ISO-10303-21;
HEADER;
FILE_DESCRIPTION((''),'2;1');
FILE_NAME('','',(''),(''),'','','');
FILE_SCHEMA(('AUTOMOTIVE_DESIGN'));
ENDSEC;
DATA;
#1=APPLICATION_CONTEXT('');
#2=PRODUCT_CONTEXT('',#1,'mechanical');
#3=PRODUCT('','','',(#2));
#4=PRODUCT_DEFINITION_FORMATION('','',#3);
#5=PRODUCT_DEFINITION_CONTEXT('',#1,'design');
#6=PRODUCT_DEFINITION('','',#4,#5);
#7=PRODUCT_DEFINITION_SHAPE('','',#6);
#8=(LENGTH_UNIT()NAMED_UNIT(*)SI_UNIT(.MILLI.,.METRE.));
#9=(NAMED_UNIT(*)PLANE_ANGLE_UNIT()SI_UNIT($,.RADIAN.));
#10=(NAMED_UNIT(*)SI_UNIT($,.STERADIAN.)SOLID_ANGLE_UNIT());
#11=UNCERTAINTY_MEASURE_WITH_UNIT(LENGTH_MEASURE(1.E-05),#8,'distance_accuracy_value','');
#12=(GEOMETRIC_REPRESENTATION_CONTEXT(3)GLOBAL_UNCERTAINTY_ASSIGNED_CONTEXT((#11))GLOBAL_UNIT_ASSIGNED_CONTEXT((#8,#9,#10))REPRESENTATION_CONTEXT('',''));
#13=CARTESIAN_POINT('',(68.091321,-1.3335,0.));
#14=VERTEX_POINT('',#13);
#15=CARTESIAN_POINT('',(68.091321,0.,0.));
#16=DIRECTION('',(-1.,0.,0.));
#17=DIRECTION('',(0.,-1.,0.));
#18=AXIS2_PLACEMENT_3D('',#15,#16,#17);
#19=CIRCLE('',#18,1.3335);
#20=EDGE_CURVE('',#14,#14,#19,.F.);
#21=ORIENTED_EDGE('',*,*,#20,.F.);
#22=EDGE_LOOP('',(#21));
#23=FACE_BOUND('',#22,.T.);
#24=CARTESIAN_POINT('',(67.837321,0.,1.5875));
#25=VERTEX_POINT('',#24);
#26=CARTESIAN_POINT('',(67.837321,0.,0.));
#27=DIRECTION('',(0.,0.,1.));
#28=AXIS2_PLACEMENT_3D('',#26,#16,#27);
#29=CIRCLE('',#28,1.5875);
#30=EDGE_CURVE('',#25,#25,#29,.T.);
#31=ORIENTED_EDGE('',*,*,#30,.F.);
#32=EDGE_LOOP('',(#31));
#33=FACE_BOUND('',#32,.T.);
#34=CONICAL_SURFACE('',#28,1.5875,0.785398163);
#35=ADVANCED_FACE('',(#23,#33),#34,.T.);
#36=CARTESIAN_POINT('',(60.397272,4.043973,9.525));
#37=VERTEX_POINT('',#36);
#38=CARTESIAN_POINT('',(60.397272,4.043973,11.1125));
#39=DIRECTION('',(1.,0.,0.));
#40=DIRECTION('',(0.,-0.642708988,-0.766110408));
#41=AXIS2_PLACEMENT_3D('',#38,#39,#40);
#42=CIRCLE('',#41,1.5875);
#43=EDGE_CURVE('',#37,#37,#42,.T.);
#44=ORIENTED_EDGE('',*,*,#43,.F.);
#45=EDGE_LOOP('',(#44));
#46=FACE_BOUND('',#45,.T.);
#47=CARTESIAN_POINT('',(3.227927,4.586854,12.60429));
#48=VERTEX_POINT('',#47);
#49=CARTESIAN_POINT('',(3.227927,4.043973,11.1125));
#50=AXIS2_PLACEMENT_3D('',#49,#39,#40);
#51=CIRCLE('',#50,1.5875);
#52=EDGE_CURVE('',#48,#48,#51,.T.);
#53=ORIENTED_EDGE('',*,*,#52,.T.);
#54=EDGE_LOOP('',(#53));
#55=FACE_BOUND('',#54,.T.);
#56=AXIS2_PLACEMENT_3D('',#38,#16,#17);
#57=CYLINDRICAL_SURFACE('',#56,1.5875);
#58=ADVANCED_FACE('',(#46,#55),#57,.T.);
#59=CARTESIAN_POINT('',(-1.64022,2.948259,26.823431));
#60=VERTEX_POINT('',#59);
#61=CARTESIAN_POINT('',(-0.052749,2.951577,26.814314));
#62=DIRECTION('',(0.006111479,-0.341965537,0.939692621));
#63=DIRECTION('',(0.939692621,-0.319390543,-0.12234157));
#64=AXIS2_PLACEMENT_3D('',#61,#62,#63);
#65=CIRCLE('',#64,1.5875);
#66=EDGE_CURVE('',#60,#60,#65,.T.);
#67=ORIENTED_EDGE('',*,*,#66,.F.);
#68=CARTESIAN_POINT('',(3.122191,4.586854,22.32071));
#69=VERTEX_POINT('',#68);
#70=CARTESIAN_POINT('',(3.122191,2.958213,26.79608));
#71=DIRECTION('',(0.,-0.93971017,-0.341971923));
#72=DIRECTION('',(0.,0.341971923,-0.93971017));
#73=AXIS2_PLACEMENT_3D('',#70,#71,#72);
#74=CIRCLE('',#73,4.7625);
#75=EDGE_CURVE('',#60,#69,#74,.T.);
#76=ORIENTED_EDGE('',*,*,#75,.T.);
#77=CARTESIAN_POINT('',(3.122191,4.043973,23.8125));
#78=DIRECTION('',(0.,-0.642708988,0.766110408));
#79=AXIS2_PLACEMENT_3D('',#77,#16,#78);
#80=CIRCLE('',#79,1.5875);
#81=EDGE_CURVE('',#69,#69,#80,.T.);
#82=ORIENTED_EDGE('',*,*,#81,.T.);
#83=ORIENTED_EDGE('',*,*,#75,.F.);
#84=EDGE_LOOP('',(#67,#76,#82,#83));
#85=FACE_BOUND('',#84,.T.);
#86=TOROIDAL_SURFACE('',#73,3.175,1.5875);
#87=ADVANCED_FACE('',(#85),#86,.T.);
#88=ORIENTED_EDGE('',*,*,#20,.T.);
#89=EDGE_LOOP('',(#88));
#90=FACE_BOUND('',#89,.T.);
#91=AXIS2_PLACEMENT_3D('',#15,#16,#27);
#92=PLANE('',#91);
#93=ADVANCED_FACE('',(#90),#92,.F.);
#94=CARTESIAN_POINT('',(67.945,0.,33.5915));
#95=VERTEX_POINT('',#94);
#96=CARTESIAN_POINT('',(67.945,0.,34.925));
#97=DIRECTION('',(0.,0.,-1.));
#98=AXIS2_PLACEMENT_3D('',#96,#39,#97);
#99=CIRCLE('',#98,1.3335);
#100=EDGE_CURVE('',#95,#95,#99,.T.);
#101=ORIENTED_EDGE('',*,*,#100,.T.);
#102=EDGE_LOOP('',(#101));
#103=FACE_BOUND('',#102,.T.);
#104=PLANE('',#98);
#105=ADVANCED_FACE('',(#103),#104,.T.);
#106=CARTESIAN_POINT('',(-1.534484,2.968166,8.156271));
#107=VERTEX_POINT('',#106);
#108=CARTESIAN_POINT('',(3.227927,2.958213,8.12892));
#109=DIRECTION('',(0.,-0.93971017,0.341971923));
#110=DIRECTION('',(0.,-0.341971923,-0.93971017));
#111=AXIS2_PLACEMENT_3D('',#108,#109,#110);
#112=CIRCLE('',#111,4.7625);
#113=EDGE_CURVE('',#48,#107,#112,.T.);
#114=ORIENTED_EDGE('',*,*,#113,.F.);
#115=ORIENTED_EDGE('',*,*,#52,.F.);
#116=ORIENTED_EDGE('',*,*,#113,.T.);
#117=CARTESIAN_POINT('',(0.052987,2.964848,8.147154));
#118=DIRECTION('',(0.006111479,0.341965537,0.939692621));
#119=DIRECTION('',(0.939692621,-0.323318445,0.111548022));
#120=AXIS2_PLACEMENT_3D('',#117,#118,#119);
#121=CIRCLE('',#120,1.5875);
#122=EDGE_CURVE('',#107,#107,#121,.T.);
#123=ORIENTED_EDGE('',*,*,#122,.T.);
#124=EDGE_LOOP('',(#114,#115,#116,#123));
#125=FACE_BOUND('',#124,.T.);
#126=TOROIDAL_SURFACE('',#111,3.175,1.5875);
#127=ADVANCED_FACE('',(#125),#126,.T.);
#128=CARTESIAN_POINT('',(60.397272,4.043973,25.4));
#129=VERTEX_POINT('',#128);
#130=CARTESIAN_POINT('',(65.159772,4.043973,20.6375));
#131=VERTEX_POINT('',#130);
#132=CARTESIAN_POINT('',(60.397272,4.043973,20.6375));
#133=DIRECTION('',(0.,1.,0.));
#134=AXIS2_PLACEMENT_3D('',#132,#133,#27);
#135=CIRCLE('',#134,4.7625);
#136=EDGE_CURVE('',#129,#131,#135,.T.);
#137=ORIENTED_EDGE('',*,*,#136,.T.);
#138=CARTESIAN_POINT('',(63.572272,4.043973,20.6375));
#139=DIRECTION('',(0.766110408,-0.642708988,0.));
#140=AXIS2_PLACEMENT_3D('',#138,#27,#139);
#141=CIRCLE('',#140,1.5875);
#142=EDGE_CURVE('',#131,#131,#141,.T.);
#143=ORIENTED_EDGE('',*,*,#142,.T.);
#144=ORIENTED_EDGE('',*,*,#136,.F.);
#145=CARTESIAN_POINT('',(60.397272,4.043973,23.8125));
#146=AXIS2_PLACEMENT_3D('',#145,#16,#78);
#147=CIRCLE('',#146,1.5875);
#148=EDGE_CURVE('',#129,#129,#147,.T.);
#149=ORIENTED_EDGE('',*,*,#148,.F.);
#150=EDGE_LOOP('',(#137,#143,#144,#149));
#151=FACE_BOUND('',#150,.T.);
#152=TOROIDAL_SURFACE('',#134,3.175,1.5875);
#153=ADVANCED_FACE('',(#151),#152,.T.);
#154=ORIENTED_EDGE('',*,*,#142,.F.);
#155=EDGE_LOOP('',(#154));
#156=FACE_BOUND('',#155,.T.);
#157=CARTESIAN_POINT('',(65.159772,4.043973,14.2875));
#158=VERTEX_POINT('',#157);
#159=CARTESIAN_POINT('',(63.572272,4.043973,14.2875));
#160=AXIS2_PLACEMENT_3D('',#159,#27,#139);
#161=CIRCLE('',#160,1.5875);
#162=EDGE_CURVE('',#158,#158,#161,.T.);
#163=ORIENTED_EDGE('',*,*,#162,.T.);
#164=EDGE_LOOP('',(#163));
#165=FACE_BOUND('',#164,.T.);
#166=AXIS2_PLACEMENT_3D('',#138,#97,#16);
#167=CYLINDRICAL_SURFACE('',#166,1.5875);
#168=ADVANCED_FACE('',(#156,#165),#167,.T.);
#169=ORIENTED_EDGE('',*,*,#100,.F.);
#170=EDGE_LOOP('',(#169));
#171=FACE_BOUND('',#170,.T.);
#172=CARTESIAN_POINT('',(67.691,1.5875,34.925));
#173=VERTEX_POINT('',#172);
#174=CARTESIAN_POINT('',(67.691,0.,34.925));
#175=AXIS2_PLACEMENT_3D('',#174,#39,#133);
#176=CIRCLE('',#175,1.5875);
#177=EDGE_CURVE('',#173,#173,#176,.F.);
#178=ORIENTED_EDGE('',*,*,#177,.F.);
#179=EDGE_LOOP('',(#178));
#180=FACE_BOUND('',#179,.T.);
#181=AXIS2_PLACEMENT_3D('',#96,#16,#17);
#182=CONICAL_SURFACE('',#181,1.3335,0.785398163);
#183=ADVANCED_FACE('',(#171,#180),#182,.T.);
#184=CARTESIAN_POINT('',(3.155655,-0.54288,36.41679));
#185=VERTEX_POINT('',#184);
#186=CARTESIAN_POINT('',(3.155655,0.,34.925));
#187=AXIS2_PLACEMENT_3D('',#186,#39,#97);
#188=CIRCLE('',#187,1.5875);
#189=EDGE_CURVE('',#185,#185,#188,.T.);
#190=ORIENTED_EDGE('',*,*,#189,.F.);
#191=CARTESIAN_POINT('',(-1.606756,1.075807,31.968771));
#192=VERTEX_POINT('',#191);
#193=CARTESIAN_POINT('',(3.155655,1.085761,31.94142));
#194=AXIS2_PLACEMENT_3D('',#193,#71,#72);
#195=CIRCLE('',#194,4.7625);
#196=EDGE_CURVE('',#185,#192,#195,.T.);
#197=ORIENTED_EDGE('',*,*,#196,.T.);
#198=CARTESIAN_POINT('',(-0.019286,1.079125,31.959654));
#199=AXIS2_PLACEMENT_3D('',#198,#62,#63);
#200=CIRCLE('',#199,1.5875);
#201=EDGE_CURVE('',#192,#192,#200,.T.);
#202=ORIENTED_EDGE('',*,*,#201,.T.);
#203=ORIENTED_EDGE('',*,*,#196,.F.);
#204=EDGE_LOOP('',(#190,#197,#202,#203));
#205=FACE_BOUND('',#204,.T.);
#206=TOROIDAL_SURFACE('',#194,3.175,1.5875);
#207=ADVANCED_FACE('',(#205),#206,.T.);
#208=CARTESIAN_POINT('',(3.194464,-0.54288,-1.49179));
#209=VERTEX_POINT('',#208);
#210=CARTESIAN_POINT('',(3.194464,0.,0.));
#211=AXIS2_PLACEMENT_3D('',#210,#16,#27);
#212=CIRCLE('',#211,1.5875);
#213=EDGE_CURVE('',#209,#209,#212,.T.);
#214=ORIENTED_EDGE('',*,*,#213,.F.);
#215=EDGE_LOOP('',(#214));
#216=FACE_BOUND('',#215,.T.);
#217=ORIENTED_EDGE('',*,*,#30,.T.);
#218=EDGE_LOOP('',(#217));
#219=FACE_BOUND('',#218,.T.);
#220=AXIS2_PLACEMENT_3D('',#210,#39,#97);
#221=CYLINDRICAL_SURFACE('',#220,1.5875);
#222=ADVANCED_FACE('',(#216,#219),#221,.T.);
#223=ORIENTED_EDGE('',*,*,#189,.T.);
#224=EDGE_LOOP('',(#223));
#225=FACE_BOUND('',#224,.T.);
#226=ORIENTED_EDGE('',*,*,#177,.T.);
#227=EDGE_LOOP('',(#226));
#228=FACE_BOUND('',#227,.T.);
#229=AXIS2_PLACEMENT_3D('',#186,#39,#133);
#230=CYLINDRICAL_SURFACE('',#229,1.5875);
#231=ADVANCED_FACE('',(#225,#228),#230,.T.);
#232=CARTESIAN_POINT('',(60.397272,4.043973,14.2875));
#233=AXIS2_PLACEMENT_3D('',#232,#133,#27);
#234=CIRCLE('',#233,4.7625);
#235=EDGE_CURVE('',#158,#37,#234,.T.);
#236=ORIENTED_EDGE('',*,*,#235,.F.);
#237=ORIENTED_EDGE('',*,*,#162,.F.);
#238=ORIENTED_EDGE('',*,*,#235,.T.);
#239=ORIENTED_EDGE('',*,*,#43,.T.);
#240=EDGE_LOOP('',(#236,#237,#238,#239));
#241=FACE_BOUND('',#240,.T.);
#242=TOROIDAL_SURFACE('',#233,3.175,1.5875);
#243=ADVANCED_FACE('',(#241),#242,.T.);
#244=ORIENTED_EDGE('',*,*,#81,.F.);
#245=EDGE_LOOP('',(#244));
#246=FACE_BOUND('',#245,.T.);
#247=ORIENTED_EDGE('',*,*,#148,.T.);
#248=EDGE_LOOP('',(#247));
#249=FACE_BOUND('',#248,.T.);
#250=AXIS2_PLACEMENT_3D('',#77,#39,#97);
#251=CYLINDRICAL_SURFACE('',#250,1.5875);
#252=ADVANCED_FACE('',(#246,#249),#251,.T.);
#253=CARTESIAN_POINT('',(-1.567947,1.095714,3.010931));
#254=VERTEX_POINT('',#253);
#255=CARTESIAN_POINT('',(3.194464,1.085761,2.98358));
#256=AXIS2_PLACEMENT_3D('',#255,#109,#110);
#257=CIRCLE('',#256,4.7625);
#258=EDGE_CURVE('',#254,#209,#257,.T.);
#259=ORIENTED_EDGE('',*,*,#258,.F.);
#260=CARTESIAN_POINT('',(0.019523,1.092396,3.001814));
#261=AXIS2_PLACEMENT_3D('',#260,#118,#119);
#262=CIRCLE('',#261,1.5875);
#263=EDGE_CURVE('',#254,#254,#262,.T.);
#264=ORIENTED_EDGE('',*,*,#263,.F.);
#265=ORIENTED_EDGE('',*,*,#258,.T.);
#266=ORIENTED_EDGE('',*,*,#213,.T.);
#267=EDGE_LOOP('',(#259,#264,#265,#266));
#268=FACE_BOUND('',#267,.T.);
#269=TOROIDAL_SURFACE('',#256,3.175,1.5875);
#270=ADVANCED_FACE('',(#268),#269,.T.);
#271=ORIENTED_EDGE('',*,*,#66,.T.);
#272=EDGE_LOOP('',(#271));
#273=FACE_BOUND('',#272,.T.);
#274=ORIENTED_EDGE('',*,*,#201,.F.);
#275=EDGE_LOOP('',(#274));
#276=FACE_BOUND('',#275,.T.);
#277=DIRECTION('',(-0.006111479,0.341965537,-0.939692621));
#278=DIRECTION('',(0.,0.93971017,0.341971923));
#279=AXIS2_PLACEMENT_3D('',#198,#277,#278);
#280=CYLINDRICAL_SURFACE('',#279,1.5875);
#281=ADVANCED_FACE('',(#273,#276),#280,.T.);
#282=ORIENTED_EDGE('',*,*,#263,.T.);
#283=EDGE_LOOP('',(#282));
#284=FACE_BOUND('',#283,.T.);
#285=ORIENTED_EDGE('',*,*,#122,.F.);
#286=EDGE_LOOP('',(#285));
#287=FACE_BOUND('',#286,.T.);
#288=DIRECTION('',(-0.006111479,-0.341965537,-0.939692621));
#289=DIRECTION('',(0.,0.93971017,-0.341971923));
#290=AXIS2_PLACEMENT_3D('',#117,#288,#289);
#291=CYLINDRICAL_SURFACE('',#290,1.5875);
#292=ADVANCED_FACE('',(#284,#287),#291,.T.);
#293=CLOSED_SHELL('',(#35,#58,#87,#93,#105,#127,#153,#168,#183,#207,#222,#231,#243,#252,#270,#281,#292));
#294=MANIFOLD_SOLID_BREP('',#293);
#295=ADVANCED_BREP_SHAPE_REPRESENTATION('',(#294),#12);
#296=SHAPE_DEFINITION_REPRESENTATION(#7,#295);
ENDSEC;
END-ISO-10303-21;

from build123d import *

# Parameters (mm, degrees)
SKETCH1_R     = 1.5875
CHAMFER1_SIZE = 0.254


with BuildPart() as part:
    # Sweep1: sweep along a curve in space
    with BuildLine() as sweep1_path:
        Line((3.194463605, 0, 0), (68.09132068, 0, 0))
        ThreePointArc((3.194463605, 0, 0), (0.942549693, 0.320361628, 0.880326891), (0.019522899, 1.092396461, 3.001813877))
        Line((0.019522899, 1.092396461, 3.001813877), (0.052986653, 2.964848217, 8.147154297))
        ThreePointArc((0.052986653, 2.964848217, 8.147154297), (0.989734174, 3.728303943, 10.245066615), (3.227927359, 4.043973468, 11.1125))
        Line((3.227927359, 4.043973468, 11.1125), (60.397272373, 4.043973468, 11.1125))
        ThreePointArc((60.397272373, 4.043973468, 11.1125), (62.642336404, 4.043973468, 12.04243597), (63.572272373, 4.043973468, 14.2875))
        Line((63.572272373, 4.043973468, 14.2875), (63.572272373, 4.043973468, 20.6375))
        ThreePointArc((63.572272373, 4.043973468, 20.6375), (62.642336404, 4.043973468, 22.88256403), (60.397272373, 4.043973468, 23.8125))
        Line((60.397272373, 4.043973468, 23.8125), (3.122191232, 4.043973468, 23.8125))
        ThreePointArc((3.122191232, 4.043973468, 23.8125), (0.87027732, 3.723611839, 24.692826891), (-0.052749474, 2.951577007, 26.814313877))
        Line((-0.052749474, 2.951577007, 26.814313877), (-0.019285721, 1.079125251, 31.959654297))
        ThreePointArc((-0.019285721, 1.079125251, 31.959654297), (0.9174618, 0.315669525, 34.057566615), (3.155654985, 0, 34.925))
        Line((3.155654985, 0, 34.925), (67.945, 0, 34.925))
    # Sketch1 → Sweep1 (sweep)
    with BuildSketch(Plane(origin=(67.945, 0, 0), x_dir=(0, 0, -1), z_dir=(1, 0, 0))):
        with Locations((-34.925, 0)):
            Circle(SKETCH1_R)
    sweep(path=sweep1_path.line)

    # Chamfer1
    chamfer1_edges = [part.edges().sort_by_distance(p)[0] for p in [
        (68.09132068, 0, -1.5875),
        (67.945, 0, 36.5125),
    ]]
    chamfer(chamfer1_edges, length=CHAMFER1_SIZE)


solid = part.part
